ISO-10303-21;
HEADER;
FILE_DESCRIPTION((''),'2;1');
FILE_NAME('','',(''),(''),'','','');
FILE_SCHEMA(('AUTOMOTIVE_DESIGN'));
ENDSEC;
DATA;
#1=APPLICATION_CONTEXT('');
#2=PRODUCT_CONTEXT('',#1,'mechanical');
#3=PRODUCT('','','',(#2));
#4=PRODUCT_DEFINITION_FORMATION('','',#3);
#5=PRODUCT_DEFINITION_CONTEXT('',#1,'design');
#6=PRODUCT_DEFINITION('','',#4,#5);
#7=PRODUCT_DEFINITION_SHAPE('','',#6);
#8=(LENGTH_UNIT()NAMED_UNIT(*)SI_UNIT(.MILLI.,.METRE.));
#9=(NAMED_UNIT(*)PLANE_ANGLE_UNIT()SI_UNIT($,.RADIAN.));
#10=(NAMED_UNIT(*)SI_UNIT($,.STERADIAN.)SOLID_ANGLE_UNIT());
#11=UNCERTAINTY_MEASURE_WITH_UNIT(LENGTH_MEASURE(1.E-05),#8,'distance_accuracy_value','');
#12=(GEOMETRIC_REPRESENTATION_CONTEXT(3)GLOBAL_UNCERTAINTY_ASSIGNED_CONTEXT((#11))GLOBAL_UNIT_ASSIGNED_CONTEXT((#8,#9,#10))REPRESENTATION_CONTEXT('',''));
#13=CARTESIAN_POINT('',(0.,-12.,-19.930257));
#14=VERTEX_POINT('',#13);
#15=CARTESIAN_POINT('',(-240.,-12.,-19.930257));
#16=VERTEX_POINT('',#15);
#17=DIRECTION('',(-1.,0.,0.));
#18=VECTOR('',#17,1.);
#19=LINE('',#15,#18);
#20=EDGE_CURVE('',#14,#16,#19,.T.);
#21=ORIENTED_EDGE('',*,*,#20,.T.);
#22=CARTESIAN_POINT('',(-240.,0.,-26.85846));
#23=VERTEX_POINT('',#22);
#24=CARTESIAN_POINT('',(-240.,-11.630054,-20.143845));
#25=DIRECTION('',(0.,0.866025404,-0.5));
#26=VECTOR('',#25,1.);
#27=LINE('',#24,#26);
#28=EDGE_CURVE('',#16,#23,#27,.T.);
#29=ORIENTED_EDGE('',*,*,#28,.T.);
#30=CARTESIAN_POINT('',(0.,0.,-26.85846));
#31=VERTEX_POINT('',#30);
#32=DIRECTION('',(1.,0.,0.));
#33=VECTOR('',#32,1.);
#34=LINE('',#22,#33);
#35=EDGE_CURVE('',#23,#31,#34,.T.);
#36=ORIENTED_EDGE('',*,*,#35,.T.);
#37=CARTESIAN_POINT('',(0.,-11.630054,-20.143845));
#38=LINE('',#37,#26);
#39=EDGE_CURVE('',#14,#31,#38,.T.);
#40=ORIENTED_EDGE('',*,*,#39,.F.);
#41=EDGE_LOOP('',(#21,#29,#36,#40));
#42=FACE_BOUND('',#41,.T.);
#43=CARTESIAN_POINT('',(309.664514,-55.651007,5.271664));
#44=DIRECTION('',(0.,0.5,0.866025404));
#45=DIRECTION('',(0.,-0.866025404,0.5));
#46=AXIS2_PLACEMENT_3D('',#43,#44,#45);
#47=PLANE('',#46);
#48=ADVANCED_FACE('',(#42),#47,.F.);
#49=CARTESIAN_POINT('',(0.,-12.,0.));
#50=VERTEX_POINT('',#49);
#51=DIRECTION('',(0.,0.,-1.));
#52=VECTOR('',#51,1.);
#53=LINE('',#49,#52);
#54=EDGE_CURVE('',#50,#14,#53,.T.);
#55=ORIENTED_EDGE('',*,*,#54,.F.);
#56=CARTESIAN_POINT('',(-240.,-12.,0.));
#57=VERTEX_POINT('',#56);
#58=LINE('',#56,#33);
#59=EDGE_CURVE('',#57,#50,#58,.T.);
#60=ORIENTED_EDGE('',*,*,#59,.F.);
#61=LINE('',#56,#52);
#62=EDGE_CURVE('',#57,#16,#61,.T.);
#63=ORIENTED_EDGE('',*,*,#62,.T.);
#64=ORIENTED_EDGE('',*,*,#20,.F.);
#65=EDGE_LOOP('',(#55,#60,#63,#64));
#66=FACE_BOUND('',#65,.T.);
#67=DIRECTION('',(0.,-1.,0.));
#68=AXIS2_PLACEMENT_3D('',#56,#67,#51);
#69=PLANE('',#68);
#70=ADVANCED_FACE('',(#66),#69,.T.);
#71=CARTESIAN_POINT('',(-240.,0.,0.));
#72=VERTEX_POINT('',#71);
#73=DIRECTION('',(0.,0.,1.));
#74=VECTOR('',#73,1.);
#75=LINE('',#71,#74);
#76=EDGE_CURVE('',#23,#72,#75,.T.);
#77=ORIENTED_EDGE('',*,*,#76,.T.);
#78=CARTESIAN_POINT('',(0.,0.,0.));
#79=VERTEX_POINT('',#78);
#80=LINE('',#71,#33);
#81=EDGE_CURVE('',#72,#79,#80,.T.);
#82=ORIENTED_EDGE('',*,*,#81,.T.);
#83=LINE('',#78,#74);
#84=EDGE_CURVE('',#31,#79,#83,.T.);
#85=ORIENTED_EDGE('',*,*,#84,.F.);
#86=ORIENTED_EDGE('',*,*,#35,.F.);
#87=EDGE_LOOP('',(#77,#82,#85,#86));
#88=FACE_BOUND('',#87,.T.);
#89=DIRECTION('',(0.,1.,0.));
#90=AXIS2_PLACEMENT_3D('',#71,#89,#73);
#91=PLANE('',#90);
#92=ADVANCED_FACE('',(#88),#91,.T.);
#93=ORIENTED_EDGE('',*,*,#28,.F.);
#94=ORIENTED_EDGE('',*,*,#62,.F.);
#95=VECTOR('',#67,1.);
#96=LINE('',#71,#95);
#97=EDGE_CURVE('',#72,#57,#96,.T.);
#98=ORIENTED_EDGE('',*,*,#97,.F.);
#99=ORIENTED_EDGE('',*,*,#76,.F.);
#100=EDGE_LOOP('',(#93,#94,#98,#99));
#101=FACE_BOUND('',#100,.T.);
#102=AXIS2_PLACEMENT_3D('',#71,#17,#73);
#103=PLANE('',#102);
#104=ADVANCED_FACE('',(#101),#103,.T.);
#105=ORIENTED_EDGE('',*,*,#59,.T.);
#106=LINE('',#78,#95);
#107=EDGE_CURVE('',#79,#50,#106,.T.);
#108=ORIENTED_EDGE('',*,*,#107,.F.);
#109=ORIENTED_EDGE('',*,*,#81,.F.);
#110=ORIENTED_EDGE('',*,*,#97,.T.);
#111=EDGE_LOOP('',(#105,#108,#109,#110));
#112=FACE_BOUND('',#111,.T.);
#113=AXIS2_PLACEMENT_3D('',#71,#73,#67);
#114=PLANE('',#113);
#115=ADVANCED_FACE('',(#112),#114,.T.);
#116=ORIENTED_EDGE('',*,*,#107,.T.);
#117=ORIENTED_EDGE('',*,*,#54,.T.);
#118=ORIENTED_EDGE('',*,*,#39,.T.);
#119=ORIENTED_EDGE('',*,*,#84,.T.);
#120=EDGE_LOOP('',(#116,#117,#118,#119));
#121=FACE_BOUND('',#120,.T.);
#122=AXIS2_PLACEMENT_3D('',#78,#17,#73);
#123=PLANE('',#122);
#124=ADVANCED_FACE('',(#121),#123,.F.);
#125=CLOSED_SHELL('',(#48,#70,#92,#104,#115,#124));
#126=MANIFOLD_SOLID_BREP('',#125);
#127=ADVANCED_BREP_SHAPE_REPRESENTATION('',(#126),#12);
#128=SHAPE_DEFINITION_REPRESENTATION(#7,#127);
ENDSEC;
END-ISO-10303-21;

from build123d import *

# Parameters (mm, degrees)
SKETCH1_W               = 60.224174311
SKETCH1_H               = 12
BOSS_EXTRUDE1_DEPTH     = 240
CUT_EXTRUDE1_DEPTH      = 1
CUT_EXTRUDE1_DEPTH_BACK = 241


with BuildPart() as part:
    # Sketch1 → Boss-Extrude1 (new body)
    with BuildSketch(Plane(origin=(0, 0, 0), x_dir=(0, 0, -1), z_dir=(1, 0, 0))):
        with Locations((30.112087156, -6)):
            Rectangle(SKETCH1_W, SKETCH1_H)
    extrude(amount=-BOSS_EXTRUDE1_DEPTH)

    # Sketch2 → Cut-Extrude1 (cut, two sides)
    with BuildSketch(Plane(origin=(0, -88.996323208, -210.140507253), x_dir=(0, 0, -1), z_dir=(1, 0, 0))) as cut_extrude1_sk:
        Polygon((-381.473607845, -254.281529063), (-215.412171162, 33.34531645), (-115.125850584, 207.046318995), (50.935586099, 494.673164508), (626.189277125, 162.550291142), (193.780083181, -586.404402429), align=None)
    extrude(amount=CUT_EXTRUDE1_DEPTH, mode=Mode.SUBTRACT)
    extrude(cut_extrude1_sk.sketch, amount=-CUT_EXTRUDE1_DEPTH_BACK, mode=Mode.SUBTRACT)


solid = part.part
